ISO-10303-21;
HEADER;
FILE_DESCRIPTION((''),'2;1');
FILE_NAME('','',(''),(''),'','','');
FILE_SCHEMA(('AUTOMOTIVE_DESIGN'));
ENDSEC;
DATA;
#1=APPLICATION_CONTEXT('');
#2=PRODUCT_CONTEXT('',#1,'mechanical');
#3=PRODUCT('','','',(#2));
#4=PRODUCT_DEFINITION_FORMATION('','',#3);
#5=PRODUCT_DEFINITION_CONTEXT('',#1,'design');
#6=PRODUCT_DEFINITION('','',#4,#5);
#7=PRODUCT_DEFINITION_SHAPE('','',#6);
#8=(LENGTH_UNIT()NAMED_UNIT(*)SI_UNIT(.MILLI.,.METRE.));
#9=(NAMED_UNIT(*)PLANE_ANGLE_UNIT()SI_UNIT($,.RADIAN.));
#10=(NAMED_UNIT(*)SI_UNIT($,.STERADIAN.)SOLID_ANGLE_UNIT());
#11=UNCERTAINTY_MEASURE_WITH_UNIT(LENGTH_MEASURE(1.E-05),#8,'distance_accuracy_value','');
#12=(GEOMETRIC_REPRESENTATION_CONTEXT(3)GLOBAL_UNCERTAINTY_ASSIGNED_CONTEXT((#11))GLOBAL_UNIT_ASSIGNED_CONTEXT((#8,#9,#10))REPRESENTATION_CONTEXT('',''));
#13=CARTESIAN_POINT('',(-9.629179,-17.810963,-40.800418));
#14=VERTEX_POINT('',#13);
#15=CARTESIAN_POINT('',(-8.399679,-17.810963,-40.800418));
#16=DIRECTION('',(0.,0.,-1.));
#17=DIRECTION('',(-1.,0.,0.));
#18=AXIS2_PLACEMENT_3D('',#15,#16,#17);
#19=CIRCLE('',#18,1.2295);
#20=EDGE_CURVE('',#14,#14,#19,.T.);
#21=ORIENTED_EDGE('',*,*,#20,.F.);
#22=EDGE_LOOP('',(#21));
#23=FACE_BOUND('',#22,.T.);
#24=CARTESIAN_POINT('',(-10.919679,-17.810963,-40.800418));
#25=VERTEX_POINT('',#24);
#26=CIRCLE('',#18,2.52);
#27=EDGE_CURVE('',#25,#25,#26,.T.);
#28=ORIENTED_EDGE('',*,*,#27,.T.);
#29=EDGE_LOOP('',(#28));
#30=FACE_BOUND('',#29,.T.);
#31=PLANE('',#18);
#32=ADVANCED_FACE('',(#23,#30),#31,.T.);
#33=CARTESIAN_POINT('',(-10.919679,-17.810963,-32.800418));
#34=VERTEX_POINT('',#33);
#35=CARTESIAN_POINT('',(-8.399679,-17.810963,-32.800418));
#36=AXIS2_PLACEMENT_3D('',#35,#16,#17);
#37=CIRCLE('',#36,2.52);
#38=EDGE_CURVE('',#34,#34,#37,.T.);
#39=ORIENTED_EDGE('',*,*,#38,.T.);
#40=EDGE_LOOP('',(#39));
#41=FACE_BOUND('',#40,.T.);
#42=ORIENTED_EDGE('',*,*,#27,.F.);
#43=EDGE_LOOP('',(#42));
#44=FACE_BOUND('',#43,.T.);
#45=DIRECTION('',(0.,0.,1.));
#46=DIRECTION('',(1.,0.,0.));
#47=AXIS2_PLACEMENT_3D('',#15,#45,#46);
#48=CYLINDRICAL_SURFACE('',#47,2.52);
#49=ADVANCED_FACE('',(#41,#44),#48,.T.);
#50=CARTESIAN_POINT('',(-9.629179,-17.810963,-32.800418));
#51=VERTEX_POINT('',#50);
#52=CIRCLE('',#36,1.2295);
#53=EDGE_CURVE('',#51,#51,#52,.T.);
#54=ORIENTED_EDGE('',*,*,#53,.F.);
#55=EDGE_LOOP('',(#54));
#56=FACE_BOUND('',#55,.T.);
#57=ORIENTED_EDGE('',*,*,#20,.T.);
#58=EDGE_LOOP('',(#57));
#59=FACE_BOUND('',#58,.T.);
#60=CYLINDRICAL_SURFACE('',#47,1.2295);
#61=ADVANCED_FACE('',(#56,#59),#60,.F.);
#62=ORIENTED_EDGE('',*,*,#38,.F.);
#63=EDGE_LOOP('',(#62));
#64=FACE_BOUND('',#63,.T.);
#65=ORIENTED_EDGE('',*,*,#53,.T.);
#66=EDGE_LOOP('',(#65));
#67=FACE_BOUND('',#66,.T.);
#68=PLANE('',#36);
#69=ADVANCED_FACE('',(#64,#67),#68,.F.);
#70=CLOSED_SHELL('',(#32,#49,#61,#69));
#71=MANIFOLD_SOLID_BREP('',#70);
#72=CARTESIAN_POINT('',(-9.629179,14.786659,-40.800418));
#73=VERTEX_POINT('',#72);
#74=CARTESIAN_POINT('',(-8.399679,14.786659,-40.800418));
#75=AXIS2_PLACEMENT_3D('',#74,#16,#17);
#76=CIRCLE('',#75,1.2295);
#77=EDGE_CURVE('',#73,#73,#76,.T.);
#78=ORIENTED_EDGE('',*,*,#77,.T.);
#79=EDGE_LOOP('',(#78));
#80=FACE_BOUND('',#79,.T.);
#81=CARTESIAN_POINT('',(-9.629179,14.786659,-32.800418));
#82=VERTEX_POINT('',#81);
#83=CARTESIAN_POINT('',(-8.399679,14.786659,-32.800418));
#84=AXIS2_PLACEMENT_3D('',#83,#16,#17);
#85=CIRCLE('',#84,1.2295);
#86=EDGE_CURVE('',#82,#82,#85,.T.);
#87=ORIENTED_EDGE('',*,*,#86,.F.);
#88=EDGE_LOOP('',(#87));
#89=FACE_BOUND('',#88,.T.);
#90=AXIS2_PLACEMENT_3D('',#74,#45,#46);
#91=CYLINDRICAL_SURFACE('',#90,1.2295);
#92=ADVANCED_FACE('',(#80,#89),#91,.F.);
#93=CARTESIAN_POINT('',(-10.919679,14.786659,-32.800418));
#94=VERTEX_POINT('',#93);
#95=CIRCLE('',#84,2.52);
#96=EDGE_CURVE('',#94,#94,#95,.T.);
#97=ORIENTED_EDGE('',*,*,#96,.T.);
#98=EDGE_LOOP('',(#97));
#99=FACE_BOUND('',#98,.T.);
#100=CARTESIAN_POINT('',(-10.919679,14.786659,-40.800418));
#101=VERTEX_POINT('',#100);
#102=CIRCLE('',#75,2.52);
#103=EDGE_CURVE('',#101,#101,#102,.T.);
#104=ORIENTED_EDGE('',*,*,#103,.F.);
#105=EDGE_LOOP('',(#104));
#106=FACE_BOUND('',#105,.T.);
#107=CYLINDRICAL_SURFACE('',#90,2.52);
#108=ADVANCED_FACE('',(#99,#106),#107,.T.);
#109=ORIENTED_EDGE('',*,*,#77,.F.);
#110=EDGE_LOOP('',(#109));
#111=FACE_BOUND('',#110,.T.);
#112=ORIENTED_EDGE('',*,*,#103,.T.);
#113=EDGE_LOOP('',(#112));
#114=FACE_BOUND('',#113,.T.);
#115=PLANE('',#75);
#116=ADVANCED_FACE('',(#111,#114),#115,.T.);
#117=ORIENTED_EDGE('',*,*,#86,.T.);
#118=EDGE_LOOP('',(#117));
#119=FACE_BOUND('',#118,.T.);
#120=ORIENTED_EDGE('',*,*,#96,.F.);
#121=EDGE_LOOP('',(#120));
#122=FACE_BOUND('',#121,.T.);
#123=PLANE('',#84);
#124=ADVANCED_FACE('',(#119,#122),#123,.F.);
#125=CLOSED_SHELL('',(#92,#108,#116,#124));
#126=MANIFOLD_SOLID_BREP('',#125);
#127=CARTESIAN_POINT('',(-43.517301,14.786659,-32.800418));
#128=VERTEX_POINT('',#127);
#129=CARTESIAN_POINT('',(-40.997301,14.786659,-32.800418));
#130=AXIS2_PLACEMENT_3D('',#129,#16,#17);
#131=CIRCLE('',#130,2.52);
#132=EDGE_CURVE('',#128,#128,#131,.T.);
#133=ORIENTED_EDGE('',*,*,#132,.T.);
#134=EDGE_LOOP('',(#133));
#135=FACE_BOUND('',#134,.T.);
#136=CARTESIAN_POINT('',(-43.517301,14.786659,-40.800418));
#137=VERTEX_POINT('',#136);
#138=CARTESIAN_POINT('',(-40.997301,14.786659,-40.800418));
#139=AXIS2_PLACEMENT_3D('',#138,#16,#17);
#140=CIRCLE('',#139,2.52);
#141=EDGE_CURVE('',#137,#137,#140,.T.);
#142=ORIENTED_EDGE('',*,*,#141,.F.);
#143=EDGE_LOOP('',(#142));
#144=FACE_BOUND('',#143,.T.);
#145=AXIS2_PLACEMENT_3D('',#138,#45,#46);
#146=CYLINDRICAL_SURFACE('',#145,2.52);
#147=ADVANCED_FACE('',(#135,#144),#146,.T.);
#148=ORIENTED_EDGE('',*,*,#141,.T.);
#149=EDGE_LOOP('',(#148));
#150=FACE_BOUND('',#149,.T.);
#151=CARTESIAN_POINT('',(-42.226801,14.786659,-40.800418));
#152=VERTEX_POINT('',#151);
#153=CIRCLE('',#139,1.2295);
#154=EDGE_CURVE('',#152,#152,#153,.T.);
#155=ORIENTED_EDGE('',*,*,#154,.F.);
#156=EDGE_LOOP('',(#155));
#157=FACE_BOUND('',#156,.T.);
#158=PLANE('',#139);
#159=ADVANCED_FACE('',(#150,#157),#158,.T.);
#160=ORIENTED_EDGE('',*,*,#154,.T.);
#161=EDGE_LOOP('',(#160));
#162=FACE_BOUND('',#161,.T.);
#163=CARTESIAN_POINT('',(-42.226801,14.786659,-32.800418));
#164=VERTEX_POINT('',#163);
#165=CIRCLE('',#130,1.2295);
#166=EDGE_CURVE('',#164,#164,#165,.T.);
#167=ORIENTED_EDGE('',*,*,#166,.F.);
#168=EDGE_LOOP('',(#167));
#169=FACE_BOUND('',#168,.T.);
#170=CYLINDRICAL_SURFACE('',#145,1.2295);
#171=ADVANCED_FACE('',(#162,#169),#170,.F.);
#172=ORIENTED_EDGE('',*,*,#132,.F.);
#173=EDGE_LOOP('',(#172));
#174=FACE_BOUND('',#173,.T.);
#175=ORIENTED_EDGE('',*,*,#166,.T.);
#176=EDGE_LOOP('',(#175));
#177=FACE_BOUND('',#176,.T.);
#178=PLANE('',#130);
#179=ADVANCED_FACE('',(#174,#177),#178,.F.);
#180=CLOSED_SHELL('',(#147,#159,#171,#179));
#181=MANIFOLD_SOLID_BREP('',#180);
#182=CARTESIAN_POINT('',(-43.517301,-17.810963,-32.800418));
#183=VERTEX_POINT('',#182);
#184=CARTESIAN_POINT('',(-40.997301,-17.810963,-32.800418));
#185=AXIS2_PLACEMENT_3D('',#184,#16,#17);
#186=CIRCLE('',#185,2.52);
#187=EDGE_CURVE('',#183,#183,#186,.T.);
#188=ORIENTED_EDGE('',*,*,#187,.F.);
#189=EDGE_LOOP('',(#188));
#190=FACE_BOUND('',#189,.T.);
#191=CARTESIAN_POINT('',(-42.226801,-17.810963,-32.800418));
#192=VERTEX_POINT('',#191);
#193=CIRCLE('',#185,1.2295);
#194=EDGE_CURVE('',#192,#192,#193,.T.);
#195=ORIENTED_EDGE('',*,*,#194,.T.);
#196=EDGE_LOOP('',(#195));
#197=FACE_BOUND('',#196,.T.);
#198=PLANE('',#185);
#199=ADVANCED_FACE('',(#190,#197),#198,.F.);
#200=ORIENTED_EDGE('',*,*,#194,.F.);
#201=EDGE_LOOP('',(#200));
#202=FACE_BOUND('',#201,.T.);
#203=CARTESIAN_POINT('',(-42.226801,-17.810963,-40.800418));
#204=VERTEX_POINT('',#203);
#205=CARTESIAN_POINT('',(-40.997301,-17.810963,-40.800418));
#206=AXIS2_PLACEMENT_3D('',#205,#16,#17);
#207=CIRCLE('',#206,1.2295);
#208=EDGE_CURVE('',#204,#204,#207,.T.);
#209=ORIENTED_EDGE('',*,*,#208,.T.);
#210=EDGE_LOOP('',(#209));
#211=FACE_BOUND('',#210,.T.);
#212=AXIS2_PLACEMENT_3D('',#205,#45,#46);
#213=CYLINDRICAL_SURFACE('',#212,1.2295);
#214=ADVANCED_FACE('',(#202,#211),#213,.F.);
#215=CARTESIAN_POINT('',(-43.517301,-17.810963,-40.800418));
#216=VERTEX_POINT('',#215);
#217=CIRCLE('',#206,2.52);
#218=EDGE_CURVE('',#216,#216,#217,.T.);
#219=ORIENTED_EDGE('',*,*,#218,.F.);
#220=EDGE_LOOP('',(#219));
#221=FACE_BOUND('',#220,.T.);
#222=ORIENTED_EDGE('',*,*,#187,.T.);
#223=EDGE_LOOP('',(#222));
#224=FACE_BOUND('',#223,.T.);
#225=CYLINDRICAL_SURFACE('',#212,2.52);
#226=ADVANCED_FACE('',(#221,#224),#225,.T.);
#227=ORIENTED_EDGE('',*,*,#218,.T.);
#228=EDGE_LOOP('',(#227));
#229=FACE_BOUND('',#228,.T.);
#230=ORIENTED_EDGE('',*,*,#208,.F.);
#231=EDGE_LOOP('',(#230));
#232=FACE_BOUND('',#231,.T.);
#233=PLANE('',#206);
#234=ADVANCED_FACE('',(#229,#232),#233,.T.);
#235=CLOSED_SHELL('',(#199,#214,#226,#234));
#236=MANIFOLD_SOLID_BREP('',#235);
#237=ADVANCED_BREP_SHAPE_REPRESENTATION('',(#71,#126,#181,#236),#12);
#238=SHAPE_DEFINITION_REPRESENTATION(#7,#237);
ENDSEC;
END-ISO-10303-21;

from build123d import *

# Parameters (mm, degrees)
EXTRUDE_START     = -32.800418
SKETCH_1_R        = 2.52
SKETCH_1_R_2      = 1.2295
EXTRUDE_1_DEPTH   = 8
EXTRUDE_1_2_DEPTH = 8
EXTRUDE_1_3_DEPTH = 8
EXTRUDE_1_4_DEPTH = 8


with BuildPart() as part:
    # 草图1 → 凸台-拉伸1 (new body)
    with BuildSketch(Plane.XY.offset(EXTRUDE_START)):
        with Locations(Location((-40.997301149, 14.786658582, 0), (0, 0, 180))):
            Circle(SKETCH_1_R)
        with Locations(Location((-40.997301149, 14.786658582, 0), (0, 0, 180))):
            Circle(SKETCH_1_R_2, mode=Mode.SUBTRACT)
    extrude(amount=-EXTRUDE_1_DEPTH)


with BuildPart() as body_2:
    # 草图1 → Extrude 1 2 (new body)
    with BuildSketch(Plane.XY.offset(EXTRUDE_START)):
        with Locations(Location((-8.399679074, 14.786658582, 0), (0, 0, 180))):
            Circle(SKETCH_1_R)
        with Locations(Location((-8.399679074, 14.786658582, 0), (0, 0, 180))):
            Circle(SKETCH_1_R_2, mode=Mode.SUBTRACT)
    extrude(amount=-EXTRUDE_1_2_DEPTH)


with BuildPart() as body_3:
    # 草图1 → Extrude 1 3 (new body)
    with BuildSketch(Plane.XY.offset(EXTRUDE_START)):
        with Locations(Location((-8.399679074, -17.810963493, 0), (0, 0, 180))):
            Circle(SKETCH_1_R)
        with Locations(Location((-8.399679074, -17.810963493, 0), (0, 0, 180))):
            Circle(SKETCH_1_R_2, mode=Mode.SUBTRACT)
    extrude(amount=-EXTRUDE_1_3_DEPTH)


with BuildPart() as body_4:
    # 草图1 → Extrude 1 4 (new body)
    with BuildSketch(Plane.XY.offset(EXTRUDE_START)):
        with Locations(Location((-40.997301149, -17.810963493, 0), (0, 0, 180))):
            Circle(SKETCH_1_R)
        with Locations(Location((-40.997301149, -17.810963493, 0), (0, 0, 180))):
            Circle(SKETCH_1_R_2, mode=Mode.SUBTRACT)
    extrude(amount=-EXTRUDE_1_4_DEPTH)


solid = Compound([part.part, body_2.part, body_3.part, body_4.part])
